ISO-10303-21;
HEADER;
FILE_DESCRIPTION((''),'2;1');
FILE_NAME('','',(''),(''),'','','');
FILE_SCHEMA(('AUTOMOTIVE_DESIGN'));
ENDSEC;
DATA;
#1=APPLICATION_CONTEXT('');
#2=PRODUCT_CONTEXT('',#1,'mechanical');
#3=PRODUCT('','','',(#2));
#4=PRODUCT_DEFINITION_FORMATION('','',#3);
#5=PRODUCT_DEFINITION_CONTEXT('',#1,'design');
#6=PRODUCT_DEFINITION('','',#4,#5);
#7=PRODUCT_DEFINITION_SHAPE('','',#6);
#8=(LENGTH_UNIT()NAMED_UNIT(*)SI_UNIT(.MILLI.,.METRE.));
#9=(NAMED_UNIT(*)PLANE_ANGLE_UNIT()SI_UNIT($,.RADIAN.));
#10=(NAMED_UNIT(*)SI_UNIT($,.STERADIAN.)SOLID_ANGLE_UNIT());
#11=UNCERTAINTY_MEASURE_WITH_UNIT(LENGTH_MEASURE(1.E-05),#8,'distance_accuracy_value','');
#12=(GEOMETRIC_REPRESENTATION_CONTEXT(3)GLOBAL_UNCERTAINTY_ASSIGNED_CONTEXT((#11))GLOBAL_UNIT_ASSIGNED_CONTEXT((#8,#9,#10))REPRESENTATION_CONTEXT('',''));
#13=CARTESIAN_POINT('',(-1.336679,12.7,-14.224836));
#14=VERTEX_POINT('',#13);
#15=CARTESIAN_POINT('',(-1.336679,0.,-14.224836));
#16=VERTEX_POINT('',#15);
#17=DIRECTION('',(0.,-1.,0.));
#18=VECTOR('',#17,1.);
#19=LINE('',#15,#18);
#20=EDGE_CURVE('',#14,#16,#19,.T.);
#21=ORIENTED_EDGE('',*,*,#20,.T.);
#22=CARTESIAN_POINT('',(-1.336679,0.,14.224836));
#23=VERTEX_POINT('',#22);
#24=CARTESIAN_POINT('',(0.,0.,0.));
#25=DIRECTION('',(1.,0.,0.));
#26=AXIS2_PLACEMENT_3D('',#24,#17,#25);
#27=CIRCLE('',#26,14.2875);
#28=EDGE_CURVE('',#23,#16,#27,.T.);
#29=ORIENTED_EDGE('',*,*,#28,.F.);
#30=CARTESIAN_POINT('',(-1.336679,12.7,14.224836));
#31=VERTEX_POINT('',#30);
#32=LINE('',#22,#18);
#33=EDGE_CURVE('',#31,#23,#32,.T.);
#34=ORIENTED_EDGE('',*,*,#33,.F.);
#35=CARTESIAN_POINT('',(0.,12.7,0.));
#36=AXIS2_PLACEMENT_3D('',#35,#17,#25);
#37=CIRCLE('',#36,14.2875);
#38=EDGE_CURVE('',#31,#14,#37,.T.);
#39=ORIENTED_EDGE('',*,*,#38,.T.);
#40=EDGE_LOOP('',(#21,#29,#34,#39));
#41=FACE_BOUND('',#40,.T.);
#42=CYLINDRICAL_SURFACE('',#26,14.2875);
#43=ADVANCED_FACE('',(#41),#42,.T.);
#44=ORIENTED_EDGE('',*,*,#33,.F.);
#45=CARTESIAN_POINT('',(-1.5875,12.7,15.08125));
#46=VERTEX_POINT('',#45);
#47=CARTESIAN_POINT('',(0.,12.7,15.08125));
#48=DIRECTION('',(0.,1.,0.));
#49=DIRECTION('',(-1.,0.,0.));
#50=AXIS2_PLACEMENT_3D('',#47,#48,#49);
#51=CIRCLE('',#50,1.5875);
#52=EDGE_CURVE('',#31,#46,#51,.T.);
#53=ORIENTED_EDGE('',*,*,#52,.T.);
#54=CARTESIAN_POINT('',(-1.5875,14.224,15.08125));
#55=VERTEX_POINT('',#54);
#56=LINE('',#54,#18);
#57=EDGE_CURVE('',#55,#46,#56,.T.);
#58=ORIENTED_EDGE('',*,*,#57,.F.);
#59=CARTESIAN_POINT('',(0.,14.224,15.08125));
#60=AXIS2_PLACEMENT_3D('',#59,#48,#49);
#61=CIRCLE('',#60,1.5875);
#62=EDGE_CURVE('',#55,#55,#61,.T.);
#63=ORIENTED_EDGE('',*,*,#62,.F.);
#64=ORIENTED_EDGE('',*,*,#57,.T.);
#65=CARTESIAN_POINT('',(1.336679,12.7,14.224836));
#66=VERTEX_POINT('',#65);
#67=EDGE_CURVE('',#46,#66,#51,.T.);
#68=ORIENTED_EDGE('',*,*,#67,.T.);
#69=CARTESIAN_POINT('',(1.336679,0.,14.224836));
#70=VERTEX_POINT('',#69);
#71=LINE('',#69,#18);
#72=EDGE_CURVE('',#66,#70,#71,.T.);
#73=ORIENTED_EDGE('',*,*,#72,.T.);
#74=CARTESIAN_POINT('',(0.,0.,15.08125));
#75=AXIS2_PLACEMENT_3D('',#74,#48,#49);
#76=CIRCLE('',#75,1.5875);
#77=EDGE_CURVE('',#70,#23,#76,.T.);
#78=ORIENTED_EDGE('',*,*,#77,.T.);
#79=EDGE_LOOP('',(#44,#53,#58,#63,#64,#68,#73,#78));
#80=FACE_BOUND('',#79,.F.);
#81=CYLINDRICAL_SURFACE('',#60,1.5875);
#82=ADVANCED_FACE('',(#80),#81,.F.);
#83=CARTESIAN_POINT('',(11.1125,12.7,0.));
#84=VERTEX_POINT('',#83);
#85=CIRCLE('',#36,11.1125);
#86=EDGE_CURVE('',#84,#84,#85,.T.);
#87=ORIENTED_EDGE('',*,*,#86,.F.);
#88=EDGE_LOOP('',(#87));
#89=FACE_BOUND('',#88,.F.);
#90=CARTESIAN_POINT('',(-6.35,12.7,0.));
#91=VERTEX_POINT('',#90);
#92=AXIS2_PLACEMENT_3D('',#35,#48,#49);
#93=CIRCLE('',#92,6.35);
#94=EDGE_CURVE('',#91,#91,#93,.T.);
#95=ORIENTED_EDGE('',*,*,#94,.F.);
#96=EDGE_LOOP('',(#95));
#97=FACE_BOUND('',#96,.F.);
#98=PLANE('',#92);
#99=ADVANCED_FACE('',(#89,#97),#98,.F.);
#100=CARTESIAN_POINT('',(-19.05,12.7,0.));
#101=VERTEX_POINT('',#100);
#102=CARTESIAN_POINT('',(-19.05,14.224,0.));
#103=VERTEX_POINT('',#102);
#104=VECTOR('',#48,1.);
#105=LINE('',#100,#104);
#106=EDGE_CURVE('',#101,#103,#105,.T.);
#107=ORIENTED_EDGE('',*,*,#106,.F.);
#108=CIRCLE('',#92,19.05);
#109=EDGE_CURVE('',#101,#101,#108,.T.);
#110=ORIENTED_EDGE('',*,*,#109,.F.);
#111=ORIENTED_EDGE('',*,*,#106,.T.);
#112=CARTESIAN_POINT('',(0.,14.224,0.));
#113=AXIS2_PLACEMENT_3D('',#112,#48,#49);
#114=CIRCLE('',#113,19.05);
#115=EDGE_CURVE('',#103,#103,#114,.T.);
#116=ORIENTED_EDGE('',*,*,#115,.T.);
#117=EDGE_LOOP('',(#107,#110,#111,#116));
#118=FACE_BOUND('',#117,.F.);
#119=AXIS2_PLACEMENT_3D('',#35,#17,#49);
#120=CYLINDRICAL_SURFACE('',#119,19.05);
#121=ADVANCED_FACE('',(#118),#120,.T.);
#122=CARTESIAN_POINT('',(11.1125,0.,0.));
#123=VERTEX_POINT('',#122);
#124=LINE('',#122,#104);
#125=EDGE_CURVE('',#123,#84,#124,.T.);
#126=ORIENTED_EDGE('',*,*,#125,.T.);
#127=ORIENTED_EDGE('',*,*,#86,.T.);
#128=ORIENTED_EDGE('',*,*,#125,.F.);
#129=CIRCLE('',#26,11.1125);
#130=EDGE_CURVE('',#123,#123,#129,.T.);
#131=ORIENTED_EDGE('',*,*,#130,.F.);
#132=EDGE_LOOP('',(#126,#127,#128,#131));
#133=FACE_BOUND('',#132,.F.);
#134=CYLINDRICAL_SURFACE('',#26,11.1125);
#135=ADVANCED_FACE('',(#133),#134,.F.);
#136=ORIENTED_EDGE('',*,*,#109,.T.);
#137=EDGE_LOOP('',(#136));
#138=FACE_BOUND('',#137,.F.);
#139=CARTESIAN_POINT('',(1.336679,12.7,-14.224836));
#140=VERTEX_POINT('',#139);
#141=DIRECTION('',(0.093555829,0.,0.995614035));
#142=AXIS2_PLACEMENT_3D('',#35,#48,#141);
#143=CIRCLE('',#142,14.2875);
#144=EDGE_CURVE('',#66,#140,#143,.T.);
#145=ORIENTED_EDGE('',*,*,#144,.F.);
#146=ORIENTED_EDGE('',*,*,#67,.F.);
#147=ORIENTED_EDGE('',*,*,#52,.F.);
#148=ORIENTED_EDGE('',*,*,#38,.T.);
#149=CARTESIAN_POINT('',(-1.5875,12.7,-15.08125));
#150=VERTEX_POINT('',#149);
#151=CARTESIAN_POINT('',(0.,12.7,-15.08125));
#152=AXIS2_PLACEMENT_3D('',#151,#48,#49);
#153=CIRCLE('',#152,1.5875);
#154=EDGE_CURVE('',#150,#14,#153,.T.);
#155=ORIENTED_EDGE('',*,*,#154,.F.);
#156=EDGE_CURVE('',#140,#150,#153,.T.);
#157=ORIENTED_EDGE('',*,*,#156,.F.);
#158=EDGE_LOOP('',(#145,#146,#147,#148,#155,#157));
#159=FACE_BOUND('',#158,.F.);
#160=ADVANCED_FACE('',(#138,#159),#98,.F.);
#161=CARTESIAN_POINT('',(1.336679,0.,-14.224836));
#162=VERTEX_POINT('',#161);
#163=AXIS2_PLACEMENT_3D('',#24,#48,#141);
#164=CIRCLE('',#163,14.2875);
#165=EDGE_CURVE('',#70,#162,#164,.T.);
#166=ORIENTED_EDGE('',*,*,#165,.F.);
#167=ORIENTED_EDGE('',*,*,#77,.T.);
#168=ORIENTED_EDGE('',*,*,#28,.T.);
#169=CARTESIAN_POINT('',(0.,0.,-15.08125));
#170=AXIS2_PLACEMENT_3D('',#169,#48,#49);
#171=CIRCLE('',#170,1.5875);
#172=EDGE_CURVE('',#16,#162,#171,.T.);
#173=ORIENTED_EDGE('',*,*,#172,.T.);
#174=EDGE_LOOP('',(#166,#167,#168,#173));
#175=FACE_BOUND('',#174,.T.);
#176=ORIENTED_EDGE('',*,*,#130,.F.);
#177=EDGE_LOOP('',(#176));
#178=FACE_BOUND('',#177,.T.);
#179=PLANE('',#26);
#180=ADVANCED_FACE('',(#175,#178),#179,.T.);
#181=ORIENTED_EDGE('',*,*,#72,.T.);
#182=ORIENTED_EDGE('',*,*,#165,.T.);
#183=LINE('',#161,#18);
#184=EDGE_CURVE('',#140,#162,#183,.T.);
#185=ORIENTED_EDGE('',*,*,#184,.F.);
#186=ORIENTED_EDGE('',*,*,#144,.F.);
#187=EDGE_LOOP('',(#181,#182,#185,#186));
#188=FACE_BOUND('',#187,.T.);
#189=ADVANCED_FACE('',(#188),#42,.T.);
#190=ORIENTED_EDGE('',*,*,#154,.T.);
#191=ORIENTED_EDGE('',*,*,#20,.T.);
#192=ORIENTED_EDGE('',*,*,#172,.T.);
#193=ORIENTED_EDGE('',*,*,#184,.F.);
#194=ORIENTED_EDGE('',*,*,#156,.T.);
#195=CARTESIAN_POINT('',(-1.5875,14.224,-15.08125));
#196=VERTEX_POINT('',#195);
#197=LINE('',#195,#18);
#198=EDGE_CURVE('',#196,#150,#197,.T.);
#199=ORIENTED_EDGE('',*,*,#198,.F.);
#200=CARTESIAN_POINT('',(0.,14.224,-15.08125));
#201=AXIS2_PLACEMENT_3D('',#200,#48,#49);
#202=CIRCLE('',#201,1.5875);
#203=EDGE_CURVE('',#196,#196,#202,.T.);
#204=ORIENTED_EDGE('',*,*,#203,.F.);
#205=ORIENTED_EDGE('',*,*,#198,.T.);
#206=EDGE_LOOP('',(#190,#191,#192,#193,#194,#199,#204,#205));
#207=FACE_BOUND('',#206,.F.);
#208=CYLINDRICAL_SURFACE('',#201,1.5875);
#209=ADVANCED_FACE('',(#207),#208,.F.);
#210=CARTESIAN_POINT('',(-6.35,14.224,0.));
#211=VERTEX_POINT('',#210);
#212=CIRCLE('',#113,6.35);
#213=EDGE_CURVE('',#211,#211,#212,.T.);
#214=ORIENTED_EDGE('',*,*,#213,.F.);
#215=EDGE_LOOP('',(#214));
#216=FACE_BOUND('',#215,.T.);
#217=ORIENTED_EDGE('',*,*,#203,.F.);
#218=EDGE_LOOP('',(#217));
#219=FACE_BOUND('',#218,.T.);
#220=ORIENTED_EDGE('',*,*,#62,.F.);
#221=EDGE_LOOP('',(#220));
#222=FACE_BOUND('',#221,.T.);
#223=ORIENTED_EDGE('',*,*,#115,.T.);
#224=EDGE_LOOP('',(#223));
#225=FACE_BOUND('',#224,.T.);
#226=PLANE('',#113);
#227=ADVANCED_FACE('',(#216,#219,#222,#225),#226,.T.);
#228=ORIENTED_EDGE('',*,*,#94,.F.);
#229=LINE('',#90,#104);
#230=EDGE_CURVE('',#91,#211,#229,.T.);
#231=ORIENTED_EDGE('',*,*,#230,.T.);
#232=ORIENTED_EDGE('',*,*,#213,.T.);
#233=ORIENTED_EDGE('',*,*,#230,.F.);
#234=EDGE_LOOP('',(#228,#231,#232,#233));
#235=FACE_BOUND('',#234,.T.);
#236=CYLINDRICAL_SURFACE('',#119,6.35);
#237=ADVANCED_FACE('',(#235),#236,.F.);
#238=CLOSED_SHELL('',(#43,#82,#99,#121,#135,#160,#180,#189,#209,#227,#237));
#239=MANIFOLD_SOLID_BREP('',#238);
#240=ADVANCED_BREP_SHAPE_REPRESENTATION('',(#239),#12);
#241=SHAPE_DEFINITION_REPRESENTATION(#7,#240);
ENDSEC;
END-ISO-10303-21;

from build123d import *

# Parameters (mm, degrees)
F0_R     = 14.2875
F0_R_2   = 11.1125
F1_DEPTH = 12.7
F2_R     = 19.05
F2_R_2   = 1.5875
F2_R_3   = 6.35
F3_DEPTH = 1.524
F4_R     = 1.5875
F5_DEPTH = 25.4


with BuildPart() as f1:
    # F0 (on Front) → F1 (new body)
    with BuildSketch(Plane.XZ):
        Circle(F0_R)
        Circle(F0_R_2, mode=Mode.SUBTRACT)
    extrude(amount=-F1_DEPTH)

    # F2 (on face) → F3 (join)
    with BuildSketch(Plane(origin=(0, 12.7, 0), x_dir=(-1, 0, 0), z_dir=(0, 1, 0))):
        Circle(F2_R)
        with Locations((0, -15.08125)):
            Circle(F2_R_2, mode=Mode.SUBTRACT)
        Circle(F2_R_3, mode=Mode.SUBTRACT)
        with Locations((0, 15.08125)):
            Circle(F2_R_2, mode=Mode.SUBTRACT)
        with BuildLine():
            ThreePointArc((1.336679, 14.224836), (0, 14.2875), (-1.336679, 14.224836))
            ThreePointArc((-1.336679, 14.224836), (0, 13.49375), (1.336679, 14.224836))
        make_face()
        with BuildLine():
            ThreePointArc((1.336679, -14.224836), (0, -14.2875), (-1.336679, -14.224836))
            ThreePointArc((-1.336679, -14.224836), (-0.446194, -16.604755), (1.5875, -15.08125))
            ThreePointArc((1.5875, -15.08125), (1.523505, -14.635056), (1.336679, -14.224836))
        make_face()
        with BuildLine():
            ThreePointArc((1.336679, -14.224836), (0, -13.49375), (-1.336679, -14.224836))
            ThreePointArc((-1.336679, -14.224836), (0, -14.2875), (1.336679, -14.224836))
        make_face()
        with BuildLine():
            ThreePointArc((1.336679, 14.224836), (1.523505, 14.635056), (1.5875, 15.08125))
            ThreePointArc((1.5875, 15.08125), (-0.446194, 16.604755), (-1.336679, 14.224836))
            ThreePointArc((-1.336679, 14.224836), (0, 14.2875), (1.336679, 14.224836))
        make_face()
    extrude(amount=F3_DEPTH)

    # F4 (on face) → F5 (cut)
    with BuildSketch(Plane(origin=(0, 14.224, 0), x_dir=(-1, 0, 0), z_dir=(0, 1, 0))):
        with Locations((0, 15.08125)):
            Circle(F4_R)
        with Locations((0, -15.08125)):
            Circle(F4_R)
    extrude(amount=-F5_DEPTH, mode=Mode.SUBTRACT)


solid = f1.part
